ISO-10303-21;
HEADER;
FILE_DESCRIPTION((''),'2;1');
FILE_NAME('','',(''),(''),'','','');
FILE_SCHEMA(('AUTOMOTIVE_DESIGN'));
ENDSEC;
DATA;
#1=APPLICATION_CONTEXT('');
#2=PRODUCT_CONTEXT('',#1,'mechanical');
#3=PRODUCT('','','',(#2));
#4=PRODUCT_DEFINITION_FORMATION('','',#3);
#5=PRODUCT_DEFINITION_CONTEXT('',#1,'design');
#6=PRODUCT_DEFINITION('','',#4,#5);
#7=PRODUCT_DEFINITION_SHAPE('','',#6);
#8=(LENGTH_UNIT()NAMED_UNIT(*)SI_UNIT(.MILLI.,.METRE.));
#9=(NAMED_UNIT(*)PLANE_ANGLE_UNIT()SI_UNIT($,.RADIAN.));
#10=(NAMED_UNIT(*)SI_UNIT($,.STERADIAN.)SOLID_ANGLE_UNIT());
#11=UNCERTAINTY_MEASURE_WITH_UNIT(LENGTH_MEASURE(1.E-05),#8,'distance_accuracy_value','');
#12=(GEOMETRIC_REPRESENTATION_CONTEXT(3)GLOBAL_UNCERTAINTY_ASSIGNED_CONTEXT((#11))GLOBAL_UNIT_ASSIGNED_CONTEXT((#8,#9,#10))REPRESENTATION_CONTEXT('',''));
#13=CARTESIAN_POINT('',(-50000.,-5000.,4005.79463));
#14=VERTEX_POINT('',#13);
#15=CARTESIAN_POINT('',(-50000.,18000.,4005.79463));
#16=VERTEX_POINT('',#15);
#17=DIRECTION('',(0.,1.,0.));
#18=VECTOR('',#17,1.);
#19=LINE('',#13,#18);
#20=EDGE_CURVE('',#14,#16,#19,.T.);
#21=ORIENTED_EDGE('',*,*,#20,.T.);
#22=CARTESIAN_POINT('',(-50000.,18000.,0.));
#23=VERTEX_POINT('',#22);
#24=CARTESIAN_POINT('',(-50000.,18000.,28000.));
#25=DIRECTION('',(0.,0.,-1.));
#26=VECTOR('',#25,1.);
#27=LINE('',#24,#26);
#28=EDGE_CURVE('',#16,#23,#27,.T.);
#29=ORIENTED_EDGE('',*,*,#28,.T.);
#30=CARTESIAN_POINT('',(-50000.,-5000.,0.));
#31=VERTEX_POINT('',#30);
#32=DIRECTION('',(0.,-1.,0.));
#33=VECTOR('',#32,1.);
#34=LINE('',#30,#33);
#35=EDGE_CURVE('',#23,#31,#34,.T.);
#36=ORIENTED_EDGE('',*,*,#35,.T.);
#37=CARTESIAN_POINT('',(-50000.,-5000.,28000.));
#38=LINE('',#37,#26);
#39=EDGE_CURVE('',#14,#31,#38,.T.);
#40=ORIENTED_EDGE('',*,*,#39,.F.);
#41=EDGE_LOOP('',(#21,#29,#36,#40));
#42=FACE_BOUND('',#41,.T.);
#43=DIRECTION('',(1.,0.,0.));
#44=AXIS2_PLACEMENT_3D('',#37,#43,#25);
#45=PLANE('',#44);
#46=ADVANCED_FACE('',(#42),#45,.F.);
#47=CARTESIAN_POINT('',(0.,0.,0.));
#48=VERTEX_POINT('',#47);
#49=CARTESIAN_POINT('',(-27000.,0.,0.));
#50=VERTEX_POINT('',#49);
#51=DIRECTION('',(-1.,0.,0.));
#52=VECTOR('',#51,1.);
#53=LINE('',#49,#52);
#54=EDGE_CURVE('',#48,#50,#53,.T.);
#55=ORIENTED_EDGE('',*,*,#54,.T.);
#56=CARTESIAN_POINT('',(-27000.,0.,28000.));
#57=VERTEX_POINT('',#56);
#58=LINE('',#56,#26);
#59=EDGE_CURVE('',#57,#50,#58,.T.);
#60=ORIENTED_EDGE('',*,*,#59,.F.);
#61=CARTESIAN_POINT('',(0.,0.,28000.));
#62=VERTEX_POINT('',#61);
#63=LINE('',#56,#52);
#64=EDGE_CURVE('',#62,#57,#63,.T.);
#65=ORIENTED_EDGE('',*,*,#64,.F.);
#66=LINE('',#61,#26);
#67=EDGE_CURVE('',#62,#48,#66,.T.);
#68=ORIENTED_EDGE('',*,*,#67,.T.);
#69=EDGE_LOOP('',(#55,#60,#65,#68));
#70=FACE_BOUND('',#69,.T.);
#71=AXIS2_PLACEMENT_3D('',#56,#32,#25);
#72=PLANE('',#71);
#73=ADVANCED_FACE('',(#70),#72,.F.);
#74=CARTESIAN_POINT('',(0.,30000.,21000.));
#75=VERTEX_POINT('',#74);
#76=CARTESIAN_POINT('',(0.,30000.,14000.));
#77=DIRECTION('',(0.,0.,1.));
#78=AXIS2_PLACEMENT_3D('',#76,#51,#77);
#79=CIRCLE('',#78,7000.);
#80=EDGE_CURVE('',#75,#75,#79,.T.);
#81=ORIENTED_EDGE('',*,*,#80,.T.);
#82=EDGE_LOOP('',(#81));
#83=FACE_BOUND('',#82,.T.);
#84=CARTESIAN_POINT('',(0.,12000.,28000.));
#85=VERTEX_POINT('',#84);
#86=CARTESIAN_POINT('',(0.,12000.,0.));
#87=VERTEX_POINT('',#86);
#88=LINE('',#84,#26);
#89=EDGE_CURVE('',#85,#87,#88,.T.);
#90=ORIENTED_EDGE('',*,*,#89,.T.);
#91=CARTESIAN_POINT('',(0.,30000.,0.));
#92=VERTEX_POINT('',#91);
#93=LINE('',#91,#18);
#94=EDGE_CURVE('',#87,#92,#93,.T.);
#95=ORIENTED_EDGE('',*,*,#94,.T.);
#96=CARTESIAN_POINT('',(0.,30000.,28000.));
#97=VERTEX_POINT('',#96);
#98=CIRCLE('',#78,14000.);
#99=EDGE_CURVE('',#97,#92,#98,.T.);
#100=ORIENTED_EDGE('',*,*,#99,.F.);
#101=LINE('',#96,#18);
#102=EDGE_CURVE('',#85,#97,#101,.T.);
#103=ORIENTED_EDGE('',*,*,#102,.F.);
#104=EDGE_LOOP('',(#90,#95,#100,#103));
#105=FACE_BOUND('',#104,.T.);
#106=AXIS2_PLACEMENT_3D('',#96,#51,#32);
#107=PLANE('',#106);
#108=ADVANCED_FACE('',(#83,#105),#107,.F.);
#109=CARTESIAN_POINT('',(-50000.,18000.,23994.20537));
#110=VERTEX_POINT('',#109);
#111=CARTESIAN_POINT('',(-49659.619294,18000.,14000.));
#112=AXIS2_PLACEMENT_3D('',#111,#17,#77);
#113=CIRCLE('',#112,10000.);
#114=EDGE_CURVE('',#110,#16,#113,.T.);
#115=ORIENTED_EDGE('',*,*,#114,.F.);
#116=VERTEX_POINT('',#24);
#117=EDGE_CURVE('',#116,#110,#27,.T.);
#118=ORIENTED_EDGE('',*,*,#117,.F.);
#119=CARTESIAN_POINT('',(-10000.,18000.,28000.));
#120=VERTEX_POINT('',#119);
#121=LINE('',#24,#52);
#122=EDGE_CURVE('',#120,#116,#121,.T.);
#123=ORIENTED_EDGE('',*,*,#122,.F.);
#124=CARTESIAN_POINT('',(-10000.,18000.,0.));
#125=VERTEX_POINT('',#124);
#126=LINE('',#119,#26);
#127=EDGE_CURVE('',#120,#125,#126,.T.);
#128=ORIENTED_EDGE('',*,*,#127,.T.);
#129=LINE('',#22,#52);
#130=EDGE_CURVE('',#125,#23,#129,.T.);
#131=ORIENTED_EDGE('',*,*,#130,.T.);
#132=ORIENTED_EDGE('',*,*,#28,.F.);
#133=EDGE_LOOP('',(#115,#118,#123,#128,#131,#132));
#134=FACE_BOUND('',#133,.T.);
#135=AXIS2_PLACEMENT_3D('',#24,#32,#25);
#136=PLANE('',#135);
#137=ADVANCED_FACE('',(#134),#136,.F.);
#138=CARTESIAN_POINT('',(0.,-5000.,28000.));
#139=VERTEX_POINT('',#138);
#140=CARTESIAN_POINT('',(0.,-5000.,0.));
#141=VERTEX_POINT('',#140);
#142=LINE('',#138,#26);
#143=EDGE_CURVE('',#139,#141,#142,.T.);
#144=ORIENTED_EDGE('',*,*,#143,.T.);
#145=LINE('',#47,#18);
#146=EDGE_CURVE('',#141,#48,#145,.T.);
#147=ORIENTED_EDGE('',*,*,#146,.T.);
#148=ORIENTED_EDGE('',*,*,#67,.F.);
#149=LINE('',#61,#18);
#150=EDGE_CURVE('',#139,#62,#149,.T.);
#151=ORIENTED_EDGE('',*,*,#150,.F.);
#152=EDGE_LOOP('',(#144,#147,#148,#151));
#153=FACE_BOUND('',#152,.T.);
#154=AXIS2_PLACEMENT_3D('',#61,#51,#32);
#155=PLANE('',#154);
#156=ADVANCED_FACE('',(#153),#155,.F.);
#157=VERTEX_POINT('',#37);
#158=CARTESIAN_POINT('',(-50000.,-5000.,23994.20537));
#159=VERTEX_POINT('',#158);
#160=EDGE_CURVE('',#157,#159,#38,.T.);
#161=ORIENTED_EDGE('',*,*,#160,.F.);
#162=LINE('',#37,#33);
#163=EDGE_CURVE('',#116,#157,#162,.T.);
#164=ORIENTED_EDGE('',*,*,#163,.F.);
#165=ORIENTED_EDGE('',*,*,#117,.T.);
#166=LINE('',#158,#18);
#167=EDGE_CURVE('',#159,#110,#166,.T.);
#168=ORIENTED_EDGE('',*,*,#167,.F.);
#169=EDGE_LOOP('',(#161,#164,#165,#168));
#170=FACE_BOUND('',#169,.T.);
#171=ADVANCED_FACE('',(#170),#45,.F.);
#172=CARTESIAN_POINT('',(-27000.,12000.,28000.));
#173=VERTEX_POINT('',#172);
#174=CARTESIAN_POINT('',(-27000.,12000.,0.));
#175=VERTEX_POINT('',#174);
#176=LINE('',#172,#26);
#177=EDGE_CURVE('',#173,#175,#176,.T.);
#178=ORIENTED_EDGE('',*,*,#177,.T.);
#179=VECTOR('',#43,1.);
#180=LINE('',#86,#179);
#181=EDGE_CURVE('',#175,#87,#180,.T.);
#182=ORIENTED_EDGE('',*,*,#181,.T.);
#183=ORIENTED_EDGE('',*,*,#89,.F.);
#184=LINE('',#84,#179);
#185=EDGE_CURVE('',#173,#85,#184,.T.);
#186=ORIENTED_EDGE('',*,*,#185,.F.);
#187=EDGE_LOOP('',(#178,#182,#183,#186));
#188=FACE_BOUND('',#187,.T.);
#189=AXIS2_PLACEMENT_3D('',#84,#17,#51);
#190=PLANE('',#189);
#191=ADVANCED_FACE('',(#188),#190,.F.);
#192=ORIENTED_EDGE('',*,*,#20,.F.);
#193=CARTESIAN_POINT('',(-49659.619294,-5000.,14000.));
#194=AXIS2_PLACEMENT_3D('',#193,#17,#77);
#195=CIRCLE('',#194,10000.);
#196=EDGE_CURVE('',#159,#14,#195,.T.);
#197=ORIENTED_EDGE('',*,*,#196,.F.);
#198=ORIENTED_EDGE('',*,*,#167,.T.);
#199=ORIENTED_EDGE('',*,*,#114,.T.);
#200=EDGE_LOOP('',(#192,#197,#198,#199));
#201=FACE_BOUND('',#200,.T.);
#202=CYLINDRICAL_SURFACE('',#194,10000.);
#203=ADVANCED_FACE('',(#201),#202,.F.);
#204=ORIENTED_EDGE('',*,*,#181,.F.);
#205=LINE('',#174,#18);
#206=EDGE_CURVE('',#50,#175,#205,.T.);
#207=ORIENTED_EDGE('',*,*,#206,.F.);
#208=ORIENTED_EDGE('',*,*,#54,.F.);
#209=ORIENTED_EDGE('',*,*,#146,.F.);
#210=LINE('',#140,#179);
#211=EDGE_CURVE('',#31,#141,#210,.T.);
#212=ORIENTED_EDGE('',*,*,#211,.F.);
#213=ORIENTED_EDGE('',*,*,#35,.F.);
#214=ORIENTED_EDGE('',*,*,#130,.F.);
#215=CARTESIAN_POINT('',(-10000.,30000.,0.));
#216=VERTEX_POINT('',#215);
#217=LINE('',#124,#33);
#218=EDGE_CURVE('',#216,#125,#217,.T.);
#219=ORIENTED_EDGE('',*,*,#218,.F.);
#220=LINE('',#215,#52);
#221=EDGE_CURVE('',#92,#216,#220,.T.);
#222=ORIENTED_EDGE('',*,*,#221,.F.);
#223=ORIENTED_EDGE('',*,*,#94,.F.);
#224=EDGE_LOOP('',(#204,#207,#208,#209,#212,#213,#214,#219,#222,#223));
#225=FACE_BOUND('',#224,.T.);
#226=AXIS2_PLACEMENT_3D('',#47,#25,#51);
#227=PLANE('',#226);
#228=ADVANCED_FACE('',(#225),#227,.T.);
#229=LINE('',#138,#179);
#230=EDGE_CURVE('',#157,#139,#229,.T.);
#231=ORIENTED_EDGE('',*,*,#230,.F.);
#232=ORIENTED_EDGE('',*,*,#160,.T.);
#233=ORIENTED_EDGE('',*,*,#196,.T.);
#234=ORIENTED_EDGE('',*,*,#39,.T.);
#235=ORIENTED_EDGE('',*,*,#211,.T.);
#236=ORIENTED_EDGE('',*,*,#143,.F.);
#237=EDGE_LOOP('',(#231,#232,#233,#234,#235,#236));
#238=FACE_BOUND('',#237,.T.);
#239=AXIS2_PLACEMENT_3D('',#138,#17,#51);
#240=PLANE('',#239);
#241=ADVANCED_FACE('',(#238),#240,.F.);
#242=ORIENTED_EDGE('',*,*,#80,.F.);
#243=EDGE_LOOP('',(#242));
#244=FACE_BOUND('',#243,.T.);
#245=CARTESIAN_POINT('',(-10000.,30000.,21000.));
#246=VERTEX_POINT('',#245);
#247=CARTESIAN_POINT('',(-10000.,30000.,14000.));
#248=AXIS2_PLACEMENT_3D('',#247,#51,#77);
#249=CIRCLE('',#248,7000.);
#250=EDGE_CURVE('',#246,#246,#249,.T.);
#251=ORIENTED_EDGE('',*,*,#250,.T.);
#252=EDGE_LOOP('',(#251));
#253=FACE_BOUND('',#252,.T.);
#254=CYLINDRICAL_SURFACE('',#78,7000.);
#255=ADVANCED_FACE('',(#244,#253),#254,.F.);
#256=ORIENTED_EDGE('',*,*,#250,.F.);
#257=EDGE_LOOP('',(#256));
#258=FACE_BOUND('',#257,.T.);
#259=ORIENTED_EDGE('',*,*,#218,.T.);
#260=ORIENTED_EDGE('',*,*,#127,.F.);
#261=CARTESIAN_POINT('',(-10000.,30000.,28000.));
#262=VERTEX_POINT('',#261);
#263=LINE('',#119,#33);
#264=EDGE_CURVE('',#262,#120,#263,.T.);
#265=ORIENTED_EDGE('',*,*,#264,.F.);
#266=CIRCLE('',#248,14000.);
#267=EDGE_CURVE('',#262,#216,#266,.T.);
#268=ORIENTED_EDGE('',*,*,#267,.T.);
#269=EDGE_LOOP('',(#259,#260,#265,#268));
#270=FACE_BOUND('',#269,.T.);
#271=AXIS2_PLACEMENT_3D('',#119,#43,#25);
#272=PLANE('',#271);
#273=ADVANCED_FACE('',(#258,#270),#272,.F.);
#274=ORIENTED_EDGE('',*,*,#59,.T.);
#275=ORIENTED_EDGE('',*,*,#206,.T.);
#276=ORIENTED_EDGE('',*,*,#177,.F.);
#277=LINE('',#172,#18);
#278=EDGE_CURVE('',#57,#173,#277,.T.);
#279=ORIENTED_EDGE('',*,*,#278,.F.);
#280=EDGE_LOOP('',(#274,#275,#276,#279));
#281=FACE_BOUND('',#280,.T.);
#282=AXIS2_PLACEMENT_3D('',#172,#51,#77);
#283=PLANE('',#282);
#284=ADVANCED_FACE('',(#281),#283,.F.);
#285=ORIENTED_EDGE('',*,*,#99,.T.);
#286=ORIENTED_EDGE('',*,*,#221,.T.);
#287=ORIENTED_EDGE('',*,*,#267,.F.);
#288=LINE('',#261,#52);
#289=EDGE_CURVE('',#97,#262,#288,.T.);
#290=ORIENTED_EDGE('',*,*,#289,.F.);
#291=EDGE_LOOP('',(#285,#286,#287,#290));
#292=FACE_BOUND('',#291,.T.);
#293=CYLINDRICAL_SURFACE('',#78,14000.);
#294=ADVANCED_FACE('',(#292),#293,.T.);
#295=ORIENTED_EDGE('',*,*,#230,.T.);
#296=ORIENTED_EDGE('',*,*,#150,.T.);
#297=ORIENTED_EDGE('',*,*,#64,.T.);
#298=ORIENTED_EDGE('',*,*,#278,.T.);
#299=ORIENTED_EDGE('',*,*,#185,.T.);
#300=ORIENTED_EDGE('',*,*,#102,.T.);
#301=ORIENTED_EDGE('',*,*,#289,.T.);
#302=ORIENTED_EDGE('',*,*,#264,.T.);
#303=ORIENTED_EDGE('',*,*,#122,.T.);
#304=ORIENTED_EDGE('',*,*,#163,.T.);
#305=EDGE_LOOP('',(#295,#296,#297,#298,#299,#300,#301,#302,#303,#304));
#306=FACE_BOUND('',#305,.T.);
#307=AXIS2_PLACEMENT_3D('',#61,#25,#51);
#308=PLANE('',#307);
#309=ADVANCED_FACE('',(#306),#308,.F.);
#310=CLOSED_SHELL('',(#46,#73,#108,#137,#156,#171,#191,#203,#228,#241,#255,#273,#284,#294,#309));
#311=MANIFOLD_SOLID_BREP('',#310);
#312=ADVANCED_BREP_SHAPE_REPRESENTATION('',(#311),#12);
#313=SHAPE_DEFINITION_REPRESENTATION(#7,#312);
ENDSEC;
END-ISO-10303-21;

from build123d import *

# Parameters (mm, degrees)
BOSS_EXTRUDE1_DEPTH = 28000
CUT_EXTRUDE1_DEPTH  = 61750.493925052
BOSS_EXTRUDE2_DEPTH = 10000
CUT_EXTRUDE2_DEPTH  = 65727.70690062


with BuildPart() as part:
    # Sketch1 → Boss-Extrude1 (new body)
    with BuildSketch(Plane.XY):
        Polygon((0, 0), (0, -5000), (-50000, -5000), (-50000, 18000), (-10000, 18000), (-10000, 30000), (0, 30000), (0, 12000), (-27000, 12000), (-27000, 0), align=None)
    extrude(amount=BOSS_EXTRUDE1_DEPTH)

    # Sketch2 → Cut-Extrude1 (cut, through all)
    with BuildSketch(Plane(origin=(0, 18000, 0), x_dir=(1, 0, 0), z_dir=(0, 1, 0))):
        with BuildLine():
            Line((-50000, -4005.794630132), (-50000, -23994.205369868))
            ThreePointArc((-50000, -23994.205369868), (-39659.619294178, -14000), (-50000, -4005.794630132))
        make_face()
    extrude(amount=-CUT_EXTRUDE1_DEPTH, mode=Mode.SUBTRACT)

    # Sketch3 → Boss-Extrude2 (add, through all)
    with BuildSketch(Plane.ZY.offset(10000)):
        with BuildLine():
            Line((21000, 30000), (28000, 30000))
            ThreePointArc((28000, 30000), (14000, 44000), (0, 30000))
            Line((0, 30000), (7000, 30000))
            ThreePointArc((7000, 30000), (14000, 37000), (21000, 30000))
        make_face()
    extrude(amount=-BOSS_EXTRUDE2_DEPTH)

    # Sketch4 → Cut-Extrude2 (cut, through all)
    with BuildSketch(Plane.ZY.offset(10000)):
        with BuildLine():
            Line((7000, 30000), (21000, 30000))
            ThreePointArc((21000, 30000), (14000, 23000), (7000, 30000))
        make_face()
    extrude(amount=-CUT_EXTRUDE2_DEPTH, mode=Mode.SUBTRACT)


solid = part.part
